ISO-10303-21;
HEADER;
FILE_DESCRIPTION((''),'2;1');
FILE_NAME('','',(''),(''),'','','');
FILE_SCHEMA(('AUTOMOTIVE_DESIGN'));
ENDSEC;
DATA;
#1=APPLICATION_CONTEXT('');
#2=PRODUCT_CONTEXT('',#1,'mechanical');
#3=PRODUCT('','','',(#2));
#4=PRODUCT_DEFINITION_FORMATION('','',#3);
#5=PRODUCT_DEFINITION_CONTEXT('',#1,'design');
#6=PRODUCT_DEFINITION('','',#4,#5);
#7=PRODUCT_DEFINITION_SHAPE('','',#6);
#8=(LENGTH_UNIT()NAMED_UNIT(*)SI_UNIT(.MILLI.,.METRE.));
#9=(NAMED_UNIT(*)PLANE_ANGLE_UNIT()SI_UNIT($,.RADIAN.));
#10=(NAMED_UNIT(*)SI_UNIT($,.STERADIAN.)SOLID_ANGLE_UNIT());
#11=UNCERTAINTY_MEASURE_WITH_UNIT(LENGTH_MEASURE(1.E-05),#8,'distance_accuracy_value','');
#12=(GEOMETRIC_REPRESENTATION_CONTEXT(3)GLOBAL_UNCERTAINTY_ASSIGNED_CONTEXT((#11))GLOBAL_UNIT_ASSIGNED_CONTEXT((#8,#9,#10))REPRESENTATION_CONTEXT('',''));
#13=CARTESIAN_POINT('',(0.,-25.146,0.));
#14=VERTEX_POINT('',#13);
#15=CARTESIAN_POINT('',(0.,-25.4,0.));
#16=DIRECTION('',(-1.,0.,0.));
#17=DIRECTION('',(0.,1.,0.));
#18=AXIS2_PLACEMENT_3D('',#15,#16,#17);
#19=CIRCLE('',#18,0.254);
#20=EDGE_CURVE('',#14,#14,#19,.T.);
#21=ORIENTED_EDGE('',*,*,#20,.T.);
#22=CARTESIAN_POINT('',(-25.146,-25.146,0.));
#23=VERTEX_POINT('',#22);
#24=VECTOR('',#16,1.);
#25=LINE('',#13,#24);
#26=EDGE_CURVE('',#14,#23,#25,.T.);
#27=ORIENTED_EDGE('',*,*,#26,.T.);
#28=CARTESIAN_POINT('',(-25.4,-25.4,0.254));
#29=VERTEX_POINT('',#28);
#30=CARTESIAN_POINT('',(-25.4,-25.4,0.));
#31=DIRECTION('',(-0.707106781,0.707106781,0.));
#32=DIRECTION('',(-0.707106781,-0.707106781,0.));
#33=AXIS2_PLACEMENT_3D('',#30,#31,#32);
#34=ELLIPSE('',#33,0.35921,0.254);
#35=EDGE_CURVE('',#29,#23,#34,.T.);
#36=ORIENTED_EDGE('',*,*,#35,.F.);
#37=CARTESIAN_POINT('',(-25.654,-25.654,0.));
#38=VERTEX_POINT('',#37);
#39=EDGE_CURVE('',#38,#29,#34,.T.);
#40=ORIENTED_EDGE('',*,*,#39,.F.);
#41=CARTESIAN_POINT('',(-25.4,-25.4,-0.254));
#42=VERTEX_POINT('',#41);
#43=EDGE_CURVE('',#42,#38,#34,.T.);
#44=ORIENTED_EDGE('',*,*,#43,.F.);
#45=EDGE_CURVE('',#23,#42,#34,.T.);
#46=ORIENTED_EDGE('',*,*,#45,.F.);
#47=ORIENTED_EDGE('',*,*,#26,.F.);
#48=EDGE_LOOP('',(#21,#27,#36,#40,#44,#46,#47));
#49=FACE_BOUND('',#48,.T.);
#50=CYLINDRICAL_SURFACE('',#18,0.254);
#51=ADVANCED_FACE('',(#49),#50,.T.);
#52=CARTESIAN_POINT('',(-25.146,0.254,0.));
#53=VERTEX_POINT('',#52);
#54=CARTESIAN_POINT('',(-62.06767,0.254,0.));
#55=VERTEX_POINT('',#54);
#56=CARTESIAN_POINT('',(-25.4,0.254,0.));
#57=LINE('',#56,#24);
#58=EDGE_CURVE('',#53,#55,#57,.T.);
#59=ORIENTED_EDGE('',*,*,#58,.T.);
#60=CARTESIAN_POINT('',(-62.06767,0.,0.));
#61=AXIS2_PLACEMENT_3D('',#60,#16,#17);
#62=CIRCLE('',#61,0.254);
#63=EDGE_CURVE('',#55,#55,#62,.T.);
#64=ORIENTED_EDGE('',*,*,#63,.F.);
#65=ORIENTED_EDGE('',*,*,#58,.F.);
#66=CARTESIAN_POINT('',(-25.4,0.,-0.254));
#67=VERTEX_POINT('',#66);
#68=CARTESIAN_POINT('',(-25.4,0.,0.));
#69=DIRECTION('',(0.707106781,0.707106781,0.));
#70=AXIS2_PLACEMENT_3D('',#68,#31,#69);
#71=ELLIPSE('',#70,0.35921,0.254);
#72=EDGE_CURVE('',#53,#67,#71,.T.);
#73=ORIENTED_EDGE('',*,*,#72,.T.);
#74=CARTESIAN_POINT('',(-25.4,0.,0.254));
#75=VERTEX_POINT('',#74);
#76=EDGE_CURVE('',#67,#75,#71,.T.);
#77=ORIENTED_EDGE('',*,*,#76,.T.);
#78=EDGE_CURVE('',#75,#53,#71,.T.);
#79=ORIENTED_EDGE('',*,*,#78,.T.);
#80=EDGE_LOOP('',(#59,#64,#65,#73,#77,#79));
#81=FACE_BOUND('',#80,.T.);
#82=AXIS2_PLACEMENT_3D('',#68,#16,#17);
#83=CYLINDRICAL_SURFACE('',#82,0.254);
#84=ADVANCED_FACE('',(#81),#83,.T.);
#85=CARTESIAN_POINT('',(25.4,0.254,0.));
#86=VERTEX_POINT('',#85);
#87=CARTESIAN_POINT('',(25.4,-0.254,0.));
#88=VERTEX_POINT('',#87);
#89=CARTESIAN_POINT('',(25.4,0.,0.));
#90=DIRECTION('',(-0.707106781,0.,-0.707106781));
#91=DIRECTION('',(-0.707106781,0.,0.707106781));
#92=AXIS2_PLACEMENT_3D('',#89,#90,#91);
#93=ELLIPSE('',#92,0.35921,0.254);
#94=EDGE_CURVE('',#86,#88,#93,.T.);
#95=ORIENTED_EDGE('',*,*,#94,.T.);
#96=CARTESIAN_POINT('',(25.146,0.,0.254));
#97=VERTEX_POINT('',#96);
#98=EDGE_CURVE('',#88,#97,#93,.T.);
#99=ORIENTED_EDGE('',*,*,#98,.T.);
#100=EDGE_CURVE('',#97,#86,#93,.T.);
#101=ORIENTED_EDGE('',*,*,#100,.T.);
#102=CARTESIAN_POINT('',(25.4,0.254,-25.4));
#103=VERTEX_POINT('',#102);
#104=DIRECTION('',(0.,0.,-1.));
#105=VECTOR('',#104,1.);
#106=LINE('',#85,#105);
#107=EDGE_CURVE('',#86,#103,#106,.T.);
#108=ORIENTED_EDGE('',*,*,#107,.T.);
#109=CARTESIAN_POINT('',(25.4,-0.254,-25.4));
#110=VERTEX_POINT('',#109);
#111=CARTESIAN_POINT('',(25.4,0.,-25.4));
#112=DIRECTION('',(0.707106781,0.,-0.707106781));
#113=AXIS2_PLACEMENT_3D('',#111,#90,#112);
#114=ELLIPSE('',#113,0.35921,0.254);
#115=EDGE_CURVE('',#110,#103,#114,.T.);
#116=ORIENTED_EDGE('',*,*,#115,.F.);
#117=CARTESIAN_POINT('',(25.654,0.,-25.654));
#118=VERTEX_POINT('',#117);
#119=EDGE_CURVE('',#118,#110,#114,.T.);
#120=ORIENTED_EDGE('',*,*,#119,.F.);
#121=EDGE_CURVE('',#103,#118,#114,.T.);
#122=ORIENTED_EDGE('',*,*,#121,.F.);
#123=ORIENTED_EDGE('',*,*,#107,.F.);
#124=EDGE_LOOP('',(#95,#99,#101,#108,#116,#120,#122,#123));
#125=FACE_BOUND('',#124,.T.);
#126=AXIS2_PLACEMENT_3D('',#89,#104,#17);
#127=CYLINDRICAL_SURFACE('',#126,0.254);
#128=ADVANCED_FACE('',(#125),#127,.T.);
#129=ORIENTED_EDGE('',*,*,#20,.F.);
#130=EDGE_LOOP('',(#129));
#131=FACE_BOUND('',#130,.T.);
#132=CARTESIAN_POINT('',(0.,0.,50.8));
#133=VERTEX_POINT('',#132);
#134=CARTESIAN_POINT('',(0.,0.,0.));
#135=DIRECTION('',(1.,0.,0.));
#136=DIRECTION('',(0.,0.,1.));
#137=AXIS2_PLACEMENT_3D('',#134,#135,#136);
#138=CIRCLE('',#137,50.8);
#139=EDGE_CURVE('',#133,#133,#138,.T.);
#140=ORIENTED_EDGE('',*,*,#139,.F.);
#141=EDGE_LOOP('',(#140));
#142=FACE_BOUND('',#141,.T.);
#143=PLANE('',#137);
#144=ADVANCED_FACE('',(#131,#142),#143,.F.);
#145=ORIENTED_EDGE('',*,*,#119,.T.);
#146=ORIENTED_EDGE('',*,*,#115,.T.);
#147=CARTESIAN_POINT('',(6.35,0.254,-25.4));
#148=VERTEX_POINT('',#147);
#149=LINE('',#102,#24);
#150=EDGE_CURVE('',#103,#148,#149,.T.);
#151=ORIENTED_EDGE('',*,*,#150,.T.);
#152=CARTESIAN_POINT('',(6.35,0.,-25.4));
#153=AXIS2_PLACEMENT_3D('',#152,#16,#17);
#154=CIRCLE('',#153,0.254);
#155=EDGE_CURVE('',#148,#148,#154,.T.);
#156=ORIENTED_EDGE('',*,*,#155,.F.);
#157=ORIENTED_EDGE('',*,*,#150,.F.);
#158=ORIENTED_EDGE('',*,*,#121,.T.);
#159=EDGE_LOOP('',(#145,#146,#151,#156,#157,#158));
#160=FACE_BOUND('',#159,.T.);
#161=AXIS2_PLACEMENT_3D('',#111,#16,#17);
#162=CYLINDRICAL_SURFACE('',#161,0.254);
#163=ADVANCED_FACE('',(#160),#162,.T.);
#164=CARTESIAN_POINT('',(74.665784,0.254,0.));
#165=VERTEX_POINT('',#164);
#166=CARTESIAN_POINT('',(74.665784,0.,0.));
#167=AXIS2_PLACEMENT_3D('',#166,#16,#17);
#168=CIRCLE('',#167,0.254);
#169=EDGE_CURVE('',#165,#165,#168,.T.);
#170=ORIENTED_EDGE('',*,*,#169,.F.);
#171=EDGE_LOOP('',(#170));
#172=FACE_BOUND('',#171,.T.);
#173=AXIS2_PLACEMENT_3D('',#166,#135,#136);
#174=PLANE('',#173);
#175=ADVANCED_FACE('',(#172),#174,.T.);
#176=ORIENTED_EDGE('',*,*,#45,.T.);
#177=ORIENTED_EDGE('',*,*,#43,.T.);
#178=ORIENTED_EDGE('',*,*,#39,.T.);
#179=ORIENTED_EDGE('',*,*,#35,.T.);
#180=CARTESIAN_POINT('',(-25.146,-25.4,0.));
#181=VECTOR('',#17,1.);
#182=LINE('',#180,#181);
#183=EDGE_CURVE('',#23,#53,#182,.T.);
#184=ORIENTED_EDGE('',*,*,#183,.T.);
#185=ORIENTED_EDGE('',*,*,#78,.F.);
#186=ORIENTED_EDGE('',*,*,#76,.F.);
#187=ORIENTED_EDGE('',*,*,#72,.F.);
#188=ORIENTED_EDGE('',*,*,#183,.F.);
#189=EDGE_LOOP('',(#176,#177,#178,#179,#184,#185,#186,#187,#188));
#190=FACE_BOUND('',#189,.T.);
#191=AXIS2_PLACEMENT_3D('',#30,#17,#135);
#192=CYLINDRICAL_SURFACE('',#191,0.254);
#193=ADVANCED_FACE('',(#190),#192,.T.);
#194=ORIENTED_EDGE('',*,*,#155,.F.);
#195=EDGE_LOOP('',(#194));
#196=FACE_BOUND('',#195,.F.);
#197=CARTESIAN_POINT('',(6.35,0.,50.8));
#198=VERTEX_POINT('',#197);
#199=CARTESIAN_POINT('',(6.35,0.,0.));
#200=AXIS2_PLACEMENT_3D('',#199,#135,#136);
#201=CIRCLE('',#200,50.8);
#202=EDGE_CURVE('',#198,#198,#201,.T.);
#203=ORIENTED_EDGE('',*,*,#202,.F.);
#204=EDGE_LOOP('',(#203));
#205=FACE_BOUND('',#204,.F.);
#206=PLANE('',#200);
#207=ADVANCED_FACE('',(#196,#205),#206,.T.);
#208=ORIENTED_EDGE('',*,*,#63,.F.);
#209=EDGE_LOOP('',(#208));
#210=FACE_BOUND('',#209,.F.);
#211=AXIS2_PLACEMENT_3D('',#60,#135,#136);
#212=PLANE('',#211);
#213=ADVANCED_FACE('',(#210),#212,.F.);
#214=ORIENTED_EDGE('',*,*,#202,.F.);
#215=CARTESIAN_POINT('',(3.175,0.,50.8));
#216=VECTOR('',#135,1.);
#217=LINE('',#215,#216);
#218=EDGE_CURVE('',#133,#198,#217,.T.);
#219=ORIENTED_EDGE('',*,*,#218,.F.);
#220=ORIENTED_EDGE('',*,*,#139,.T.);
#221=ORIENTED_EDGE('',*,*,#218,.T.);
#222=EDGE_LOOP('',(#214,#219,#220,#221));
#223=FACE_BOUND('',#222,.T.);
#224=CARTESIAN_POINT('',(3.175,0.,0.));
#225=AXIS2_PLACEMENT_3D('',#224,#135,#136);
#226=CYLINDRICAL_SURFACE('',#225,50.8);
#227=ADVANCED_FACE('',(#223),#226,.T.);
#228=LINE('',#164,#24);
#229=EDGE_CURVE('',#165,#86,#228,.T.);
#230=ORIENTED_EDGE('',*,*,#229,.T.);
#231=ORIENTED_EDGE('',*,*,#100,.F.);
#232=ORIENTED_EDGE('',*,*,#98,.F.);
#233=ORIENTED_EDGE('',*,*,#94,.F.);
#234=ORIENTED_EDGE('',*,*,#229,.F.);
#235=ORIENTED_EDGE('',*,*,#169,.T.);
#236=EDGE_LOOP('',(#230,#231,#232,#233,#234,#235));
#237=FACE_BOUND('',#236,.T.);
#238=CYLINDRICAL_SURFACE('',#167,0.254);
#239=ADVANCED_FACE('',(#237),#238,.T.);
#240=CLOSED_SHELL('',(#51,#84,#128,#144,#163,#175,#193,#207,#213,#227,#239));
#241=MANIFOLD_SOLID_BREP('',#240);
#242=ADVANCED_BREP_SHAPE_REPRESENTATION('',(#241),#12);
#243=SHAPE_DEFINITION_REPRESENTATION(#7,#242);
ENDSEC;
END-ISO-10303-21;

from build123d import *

# Parameters (mm, degrees)
F0_W = 6.35
F0_H = 50.8
F4_R = 0.254
F8_R = 0.254


with BuildPart() as f1:
    # F0 (on Front) → F1 (revolve)
    with BuildSketch(Plane.XZ):
        with Locations((3.175, 25.4)):
            Rectangle(F0_W, F0_H)
    revolve(axis=Axis((3.175, 0, 0), (1, 0, 0)))

    # F5: sweep along a path in F2
    with BuildLine(Plane.XY) as f5_path:
        Line((0, -25.4), (-25.4, -25.4))
        Line((-25.4, -25.4), (-25.4, 0))
        Line((-25.4, 0), (-62.0676704339, 0))
    # F4 (on offset) → F5 (sweep)
    with BuildSketch(Plane.YZ.offset(-33.02)):
        Circle(F4_R)
    sweep(path=f5_path.line, transition=Transition.RIGHT)

    # F9: sweep along a path in F6
    with BuildLine(Plane.XZ) as f9_path:
        Line((74.6657835295, 0), (25.4, 0))
        Line((25.4, 0), (25.4, -25.4))
        Line((25.4, -25.4), (0, -25.4))
    # F8 (on offset) → F9 (sweep)
    with BuildSketch(Plane.YZ.offset(33.02)):
        Circle(F8_R)
    sweep(path=f9_path.line, transition=Transition.RIGHT)


solid = f1.part
